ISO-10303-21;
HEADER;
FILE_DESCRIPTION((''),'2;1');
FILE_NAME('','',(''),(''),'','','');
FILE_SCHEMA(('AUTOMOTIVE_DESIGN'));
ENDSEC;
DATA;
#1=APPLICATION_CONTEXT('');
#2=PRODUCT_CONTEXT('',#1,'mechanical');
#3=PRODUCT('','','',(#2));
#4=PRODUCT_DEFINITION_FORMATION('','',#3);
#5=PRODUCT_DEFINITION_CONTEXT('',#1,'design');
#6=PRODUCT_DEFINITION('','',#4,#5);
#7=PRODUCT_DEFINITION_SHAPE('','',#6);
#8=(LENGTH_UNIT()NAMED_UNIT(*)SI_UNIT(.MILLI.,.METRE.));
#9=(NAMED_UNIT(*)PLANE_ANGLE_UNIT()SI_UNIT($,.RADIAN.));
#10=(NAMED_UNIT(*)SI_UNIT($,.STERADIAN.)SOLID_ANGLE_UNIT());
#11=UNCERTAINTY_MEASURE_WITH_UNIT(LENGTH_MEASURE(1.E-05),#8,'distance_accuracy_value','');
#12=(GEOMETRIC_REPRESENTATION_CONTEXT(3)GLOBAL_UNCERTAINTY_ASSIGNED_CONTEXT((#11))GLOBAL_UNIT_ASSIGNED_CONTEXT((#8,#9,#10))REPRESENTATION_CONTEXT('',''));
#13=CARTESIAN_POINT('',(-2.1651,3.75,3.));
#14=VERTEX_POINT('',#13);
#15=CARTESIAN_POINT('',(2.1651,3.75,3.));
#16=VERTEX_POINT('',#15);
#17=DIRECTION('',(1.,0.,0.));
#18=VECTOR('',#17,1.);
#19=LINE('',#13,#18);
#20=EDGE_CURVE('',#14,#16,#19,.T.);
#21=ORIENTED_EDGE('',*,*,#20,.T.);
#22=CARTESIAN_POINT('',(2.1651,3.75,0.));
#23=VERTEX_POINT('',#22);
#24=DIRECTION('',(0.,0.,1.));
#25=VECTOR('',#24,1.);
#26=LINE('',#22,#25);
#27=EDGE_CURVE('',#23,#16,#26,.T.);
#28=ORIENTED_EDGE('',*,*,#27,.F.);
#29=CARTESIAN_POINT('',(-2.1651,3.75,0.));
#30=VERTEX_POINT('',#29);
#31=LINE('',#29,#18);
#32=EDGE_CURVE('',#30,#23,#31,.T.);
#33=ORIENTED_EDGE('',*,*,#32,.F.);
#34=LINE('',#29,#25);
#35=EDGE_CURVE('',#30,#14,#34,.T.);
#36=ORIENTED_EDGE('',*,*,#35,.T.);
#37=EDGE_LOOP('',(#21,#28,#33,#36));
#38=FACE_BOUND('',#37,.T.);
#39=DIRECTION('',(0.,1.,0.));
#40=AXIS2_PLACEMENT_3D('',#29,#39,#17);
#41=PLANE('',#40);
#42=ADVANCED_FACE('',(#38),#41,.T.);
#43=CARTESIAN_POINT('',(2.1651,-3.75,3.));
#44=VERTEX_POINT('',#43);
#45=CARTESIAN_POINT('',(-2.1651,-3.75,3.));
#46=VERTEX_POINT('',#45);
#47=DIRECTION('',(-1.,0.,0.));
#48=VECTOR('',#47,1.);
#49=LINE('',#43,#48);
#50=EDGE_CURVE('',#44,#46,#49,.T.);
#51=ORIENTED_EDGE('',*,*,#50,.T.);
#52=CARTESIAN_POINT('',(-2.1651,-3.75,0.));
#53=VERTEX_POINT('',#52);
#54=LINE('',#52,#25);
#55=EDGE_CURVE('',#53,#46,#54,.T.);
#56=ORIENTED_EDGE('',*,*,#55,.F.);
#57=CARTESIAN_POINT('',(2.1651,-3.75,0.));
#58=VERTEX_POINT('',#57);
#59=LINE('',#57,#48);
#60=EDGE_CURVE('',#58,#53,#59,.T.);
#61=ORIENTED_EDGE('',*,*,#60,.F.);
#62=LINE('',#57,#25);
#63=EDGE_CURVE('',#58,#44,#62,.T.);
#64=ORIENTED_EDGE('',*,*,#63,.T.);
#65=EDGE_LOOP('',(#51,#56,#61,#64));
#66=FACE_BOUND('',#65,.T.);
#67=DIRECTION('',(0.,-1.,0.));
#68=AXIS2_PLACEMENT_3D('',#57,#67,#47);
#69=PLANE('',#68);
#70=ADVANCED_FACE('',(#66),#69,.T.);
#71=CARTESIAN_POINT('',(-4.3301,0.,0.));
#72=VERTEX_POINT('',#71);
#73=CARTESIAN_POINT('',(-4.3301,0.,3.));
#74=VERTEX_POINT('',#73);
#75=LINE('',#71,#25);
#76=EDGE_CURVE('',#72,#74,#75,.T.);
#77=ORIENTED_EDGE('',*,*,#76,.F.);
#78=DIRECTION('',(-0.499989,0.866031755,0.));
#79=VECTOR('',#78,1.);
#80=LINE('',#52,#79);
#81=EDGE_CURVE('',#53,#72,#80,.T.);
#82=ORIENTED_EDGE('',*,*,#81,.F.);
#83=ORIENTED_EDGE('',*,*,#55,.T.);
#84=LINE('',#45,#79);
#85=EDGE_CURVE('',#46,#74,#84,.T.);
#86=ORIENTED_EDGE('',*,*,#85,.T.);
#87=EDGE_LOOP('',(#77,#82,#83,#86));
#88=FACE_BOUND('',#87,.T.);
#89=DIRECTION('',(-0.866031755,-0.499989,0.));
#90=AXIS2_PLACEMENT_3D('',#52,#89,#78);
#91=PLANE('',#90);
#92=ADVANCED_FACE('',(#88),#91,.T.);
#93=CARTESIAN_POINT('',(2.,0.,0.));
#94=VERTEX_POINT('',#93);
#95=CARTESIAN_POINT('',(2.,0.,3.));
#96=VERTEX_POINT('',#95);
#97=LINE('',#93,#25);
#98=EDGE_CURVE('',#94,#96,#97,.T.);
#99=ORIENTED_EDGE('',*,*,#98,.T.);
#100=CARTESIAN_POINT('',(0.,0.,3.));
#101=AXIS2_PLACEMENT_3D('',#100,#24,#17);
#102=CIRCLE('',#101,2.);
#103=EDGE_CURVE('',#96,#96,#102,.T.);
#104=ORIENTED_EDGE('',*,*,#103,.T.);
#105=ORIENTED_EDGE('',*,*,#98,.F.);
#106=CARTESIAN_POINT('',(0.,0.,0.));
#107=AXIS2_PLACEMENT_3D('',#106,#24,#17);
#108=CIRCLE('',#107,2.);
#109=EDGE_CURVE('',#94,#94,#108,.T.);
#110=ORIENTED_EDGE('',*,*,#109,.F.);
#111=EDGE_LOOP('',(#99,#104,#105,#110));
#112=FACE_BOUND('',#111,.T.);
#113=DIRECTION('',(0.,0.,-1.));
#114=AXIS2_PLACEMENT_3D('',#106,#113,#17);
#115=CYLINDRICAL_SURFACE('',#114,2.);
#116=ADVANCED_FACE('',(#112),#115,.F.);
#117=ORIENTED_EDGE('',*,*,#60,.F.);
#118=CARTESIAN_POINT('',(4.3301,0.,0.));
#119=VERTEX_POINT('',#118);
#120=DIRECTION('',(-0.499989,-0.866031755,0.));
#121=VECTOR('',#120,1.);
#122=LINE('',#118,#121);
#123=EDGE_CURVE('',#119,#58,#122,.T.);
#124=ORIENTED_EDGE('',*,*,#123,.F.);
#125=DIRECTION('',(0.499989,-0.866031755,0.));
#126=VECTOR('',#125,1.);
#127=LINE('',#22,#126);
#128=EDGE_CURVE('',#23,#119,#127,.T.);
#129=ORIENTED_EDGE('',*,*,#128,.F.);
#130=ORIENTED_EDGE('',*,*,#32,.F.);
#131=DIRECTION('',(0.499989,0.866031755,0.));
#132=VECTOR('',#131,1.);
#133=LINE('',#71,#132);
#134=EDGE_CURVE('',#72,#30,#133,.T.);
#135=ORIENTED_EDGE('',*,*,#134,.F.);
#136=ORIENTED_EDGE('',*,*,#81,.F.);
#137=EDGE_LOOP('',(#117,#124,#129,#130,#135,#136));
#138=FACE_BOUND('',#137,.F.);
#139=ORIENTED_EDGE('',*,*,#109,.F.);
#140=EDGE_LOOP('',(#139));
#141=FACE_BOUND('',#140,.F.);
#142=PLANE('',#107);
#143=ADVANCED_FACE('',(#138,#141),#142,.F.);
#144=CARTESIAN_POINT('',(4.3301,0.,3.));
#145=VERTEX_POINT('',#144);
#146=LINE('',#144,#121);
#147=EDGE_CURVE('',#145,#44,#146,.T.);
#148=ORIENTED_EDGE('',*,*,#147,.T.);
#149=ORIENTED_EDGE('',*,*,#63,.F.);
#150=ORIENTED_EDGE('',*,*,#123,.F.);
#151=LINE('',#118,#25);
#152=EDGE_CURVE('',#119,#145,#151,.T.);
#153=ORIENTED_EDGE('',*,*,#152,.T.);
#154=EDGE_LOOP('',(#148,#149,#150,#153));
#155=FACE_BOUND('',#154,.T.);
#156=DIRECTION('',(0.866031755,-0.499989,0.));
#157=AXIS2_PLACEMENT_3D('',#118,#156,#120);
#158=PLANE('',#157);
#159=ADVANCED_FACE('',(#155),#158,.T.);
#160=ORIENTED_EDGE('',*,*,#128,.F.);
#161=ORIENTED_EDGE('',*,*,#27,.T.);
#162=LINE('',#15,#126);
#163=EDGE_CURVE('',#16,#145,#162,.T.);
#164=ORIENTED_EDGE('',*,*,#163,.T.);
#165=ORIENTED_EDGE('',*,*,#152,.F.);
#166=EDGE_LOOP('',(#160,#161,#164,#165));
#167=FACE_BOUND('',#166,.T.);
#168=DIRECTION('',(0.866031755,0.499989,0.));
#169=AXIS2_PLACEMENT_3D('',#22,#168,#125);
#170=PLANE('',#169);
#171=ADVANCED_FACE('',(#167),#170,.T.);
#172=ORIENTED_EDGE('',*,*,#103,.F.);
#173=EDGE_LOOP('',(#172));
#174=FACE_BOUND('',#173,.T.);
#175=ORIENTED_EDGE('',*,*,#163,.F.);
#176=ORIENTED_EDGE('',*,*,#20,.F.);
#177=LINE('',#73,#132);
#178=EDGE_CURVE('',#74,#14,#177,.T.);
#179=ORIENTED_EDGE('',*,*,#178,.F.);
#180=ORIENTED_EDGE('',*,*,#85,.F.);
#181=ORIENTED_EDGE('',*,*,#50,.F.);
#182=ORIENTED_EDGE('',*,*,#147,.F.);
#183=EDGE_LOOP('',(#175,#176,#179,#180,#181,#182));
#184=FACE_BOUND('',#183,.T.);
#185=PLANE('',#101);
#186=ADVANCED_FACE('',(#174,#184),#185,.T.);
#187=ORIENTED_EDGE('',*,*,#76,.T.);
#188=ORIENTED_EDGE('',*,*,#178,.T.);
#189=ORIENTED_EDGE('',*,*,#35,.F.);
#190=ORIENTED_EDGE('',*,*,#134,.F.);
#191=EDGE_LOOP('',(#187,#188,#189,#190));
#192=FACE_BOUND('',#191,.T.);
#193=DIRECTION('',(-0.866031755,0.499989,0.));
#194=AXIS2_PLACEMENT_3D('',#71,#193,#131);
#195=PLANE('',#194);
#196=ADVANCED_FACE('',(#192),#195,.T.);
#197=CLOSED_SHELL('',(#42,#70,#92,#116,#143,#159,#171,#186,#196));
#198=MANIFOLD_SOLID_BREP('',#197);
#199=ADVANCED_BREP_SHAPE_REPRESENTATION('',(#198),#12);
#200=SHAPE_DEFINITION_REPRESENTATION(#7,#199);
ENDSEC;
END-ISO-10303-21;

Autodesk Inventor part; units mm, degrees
ref_plane "YZ Plane" through (0, 0, 0) normal (1, 0, 0) x (0, 1, 0)
ref_plane "XZ Plane" through (0, 0, 0) normal (0, 1, 0) x (-1, 0, 0)
ref_plane "XY Plane" through (0, 0, 0) normal (0, 0, 1) x (1, 0, 0)
sketch "Sketch1" plane through (0, 0, 0) normal (0, 0, 1) x (1, 0, 0)
  line L0 (2.1651, -3.75) -> (-2.1651, -3.75)
  line L1 (-2.1651, -3.75) -> (-4.3301, 0)
  line L2 (-4.3301, 0) -> (-2.1651, 3.75)
  line L3 (-2.1651, 3.75) -> (2.1651, 3.75)
  line L4 (2.1651, 3.75) -> (4.3301, 0)
  line L5 (4.3301, 0) -> (2.1651, -3.75)
  circle A0 centre (0, 0) radius 2
  line L6 (-6.0622, 0) -> (6.0622, 0) construction
  dimension "d0" = 7.5
  dimension "d1" = 4
extrude "Extrusion1" add sketch "Sketch1" along normal blind 3
properties part number "HexNut M4"
